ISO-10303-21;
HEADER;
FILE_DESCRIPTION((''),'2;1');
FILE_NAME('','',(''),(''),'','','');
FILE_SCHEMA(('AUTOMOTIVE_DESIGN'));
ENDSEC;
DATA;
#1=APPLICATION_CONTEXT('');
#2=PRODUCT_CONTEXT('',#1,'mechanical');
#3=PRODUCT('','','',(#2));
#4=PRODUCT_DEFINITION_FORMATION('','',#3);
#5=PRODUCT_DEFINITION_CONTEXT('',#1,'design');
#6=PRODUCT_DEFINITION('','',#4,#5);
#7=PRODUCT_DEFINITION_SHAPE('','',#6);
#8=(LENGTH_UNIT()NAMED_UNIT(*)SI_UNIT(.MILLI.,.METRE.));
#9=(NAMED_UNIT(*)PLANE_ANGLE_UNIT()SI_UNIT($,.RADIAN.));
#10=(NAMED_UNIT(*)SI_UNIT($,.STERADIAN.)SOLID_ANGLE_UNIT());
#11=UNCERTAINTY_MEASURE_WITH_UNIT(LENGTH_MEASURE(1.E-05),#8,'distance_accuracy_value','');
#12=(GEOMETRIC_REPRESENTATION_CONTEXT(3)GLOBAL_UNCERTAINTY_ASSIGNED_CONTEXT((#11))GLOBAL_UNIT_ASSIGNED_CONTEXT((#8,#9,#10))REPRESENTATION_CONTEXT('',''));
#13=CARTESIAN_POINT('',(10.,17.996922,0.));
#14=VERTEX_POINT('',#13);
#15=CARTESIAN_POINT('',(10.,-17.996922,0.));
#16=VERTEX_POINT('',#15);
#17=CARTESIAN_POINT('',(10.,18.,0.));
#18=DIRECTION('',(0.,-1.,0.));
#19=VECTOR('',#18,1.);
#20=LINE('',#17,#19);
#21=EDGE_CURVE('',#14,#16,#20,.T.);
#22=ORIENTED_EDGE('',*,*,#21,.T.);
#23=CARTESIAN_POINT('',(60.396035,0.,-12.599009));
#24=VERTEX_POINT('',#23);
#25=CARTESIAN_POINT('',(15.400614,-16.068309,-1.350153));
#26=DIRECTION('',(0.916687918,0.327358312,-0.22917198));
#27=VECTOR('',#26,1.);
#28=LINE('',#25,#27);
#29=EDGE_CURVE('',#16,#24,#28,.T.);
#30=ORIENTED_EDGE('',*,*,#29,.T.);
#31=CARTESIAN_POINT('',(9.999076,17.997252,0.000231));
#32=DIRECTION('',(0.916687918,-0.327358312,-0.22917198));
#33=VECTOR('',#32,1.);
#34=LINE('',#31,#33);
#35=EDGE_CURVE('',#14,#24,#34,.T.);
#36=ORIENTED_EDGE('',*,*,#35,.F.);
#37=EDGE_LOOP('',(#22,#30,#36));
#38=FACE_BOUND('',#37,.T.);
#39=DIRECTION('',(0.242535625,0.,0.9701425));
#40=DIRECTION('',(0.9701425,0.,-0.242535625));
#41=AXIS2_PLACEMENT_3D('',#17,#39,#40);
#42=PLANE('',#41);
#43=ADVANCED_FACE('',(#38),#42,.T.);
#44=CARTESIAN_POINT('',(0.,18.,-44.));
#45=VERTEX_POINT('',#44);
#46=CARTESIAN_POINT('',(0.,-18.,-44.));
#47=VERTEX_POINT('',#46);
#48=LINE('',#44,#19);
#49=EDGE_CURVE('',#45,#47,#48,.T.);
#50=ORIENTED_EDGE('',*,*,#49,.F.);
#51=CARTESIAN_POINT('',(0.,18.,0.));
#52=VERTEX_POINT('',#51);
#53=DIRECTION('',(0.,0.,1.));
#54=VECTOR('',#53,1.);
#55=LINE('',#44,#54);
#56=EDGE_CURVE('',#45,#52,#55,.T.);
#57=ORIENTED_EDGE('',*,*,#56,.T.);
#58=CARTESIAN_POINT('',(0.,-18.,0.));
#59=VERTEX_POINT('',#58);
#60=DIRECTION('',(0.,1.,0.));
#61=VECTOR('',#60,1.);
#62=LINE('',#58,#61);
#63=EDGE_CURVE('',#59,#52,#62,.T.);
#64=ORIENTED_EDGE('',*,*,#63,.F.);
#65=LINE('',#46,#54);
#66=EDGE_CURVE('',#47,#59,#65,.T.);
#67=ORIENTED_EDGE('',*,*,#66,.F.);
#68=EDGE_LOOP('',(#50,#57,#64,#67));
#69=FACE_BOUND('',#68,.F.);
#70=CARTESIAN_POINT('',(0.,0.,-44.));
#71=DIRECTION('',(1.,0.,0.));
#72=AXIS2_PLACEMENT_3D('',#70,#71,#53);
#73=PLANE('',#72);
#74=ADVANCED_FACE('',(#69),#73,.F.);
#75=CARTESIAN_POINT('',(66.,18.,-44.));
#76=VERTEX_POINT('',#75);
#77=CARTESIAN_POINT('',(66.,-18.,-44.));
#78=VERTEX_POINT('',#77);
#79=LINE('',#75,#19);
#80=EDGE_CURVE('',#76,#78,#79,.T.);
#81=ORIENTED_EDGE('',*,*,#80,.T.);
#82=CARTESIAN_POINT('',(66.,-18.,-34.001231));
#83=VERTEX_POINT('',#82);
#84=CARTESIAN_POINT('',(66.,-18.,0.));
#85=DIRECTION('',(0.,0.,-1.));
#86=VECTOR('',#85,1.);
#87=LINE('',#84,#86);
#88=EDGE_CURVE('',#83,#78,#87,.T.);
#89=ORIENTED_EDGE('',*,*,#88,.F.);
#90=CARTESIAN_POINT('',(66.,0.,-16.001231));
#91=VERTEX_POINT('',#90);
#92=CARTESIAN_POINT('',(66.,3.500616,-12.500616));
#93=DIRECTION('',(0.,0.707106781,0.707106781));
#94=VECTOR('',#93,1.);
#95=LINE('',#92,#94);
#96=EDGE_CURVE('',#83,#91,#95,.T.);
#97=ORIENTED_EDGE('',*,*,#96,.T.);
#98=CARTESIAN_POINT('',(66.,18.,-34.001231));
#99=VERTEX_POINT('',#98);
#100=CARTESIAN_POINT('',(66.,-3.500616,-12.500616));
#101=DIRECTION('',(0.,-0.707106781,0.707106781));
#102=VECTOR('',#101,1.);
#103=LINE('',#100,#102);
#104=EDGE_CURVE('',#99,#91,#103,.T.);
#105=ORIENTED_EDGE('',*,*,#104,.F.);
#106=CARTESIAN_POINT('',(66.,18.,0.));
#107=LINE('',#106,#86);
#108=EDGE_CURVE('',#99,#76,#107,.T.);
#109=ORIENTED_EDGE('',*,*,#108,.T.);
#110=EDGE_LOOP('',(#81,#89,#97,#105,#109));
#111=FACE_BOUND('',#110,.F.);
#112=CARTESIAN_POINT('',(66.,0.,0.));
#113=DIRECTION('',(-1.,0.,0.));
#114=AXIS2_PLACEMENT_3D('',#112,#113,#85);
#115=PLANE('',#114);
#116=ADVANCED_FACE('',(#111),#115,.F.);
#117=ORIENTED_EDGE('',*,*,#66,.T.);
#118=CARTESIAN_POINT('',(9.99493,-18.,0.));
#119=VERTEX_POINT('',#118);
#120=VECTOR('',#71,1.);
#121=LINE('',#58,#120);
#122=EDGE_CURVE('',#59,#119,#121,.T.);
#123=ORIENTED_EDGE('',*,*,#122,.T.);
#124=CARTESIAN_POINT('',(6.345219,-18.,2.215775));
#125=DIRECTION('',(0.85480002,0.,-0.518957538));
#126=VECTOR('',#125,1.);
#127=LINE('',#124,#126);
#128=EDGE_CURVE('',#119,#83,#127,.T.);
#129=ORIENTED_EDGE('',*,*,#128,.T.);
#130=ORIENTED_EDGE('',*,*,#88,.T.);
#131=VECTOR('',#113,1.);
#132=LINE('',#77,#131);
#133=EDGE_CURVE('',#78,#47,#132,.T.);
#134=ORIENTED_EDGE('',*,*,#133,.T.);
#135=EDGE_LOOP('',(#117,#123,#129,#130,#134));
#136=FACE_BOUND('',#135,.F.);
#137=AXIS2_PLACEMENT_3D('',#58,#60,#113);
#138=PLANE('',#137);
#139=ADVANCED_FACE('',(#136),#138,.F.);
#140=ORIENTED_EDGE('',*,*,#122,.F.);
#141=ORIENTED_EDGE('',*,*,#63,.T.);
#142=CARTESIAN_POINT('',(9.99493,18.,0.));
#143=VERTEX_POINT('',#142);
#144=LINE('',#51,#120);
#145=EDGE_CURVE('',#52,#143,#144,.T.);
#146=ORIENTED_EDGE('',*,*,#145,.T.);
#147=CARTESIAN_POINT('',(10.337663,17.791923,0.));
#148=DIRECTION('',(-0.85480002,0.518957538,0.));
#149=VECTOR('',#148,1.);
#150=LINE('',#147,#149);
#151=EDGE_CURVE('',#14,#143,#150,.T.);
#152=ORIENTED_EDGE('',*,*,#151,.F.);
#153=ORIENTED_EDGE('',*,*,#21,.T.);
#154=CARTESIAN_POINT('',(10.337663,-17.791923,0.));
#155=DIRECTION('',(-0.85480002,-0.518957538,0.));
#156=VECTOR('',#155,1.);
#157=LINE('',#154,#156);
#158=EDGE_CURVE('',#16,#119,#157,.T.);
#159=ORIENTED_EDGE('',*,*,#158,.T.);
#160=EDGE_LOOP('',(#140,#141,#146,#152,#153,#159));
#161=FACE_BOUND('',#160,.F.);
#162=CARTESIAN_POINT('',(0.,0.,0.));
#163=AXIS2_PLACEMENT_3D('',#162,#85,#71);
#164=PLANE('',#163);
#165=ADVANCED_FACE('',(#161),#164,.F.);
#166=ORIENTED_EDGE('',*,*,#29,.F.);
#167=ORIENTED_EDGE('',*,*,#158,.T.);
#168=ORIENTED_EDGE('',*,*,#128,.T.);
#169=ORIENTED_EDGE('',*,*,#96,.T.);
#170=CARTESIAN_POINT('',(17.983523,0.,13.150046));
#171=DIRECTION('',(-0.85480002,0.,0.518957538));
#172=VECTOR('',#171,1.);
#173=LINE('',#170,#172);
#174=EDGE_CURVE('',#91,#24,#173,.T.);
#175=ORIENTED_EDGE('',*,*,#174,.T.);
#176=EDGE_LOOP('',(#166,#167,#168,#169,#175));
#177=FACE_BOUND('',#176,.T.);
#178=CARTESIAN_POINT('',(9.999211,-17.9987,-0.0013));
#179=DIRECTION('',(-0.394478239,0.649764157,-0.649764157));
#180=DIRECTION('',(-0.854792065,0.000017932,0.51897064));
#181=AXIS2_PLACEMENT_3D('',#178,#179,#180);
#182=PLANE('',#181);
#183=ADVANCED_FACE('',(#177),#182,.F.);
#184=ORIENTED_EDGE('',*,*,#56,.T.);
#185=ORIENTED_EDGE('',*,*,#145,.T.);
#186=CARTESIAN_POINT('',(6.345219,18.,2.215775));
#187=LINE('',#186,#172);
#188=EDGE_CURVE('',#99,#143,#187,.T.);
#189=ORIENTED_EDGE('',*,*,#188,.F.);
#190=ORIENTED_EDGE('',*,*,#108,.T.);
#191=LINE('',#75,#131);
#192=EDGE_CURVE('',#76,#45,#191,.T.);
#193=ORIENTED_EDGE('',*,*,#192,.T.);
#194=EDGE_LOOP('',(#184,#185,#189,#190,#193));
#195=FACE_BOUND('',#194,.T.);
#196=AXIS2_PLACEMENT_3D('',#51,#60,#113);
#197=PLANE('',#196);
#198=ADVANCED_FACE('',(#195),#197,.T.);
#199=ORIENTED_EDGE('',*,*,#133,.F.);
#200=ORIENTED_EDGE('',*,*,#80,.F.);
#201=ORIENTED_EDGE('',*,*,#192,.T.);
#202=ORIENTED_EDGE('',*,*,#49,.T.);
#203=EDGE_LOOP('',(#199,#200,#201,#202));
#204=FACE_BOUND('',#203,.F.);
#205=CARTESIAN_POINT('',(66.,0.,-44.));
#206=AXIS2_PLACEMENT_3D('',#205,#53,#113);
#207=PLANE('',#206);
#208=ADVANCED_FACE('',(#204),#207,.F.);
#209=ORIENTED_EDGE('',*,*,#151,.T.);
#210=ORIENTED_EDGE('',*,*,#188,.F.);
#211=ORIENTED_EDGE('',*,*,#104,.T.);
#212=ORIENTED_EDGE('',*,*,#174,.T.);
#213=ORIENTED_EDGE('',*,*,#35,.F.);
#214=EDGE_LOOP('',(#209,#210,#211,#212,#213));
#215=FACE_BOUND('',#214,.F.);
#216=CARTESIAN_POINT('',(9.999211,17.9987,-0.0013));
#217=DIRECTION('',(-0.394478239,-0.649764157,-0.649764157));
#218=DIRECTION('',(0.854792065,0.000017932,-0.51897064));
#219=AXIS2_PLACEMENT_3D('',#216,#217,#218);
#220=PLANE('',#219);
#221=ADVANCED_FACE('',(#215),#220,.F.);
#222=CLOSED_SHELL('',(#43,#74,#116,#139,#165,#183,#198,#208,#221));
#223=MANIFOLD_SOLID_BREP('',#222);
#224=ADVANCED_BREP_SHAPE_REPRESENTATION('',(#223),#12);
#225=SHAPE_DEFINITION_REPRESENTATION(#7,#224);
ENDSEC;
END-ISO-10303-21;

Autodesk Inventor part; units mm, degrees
ref_plane "YZ Plane" through (0, 0, 0) normal (1, 0, 0) x (0, 1, 0)
ref_plane "XZ Plane" through (0, 0, 0) normal (0, 1, 0) x (-1, 0, 0)
sketch "草圖1" plane through (0, 0, 0) normal (0, 1, 0) x (-1, 0, 0)
  line L0 (0, 0) -> (-66, 0)
  line L1 (-66, 0) -> (-66, -44)
  line L2 (-66, -44) -> (0, -44)
  line L3 (0, -44) -> (0, 0)
  dimension "d0" = 66
  dimension "d1" = 44
extrude "擠出1" add sketch "草圖1" along normal mid plane 36
sketch "草圖2" plane through (0, 18, 0) normal (0, 1, 0) x (1, 0, 0)
  line L0 (0, 0) -> (66, 0) projected
  line L1 (10, 0) -> (66, 14)
  line L2 (66, 0) -> (66, 44) projected
  dimension "d4" = 10
  dimension "d5" = 30
extrude "擠出2" cut sketch "草圖2" against normal blind 40
sketch "草圖3" plane through (66, -18, -44) normal (1, 0, 0) x (0, 0, -1)
  line L0 (-30, 16) -> (-10, 36)
  line L1 (0, 36) -> (-44, 36) projected
  line L2 (-30, 36) -> (-30, 0) projected
  point P0 (-44, 18)
  dimension "d8" = 20
  dimension "d9" = 20
ref_plane "工作平面1" through (10, 18, 0) normal (-0.3945, -0.6498, -0.6498) x (0.8548, 0, -0.519)
sketch "草圖4" plane through (10, 18, 0) normal (-0.3945, -0.6498, -0.6498) x (0.8548, 0, -0.519)
  line L0 (-15.1543, -12.3218) -> (93.717, -12.3218)
  line L1 (93.717, -12.3218) -> (93.717, 28.8166)
  line L2 (93.717, 28.8166) -> (-15.1543, 28.8166)
  line L3 (-15.1543, 28.8166) -> (-15.1543, -12.3218)
  point P0 (-8.5479, 10.3104)
extrude "擠出3" cut sketch "草圖4" against normal blind 40
mirror "鏡射1" about plane through (0, 0, 0) normal (0, 1, 0) of "擠出3"
properties part number "25"
